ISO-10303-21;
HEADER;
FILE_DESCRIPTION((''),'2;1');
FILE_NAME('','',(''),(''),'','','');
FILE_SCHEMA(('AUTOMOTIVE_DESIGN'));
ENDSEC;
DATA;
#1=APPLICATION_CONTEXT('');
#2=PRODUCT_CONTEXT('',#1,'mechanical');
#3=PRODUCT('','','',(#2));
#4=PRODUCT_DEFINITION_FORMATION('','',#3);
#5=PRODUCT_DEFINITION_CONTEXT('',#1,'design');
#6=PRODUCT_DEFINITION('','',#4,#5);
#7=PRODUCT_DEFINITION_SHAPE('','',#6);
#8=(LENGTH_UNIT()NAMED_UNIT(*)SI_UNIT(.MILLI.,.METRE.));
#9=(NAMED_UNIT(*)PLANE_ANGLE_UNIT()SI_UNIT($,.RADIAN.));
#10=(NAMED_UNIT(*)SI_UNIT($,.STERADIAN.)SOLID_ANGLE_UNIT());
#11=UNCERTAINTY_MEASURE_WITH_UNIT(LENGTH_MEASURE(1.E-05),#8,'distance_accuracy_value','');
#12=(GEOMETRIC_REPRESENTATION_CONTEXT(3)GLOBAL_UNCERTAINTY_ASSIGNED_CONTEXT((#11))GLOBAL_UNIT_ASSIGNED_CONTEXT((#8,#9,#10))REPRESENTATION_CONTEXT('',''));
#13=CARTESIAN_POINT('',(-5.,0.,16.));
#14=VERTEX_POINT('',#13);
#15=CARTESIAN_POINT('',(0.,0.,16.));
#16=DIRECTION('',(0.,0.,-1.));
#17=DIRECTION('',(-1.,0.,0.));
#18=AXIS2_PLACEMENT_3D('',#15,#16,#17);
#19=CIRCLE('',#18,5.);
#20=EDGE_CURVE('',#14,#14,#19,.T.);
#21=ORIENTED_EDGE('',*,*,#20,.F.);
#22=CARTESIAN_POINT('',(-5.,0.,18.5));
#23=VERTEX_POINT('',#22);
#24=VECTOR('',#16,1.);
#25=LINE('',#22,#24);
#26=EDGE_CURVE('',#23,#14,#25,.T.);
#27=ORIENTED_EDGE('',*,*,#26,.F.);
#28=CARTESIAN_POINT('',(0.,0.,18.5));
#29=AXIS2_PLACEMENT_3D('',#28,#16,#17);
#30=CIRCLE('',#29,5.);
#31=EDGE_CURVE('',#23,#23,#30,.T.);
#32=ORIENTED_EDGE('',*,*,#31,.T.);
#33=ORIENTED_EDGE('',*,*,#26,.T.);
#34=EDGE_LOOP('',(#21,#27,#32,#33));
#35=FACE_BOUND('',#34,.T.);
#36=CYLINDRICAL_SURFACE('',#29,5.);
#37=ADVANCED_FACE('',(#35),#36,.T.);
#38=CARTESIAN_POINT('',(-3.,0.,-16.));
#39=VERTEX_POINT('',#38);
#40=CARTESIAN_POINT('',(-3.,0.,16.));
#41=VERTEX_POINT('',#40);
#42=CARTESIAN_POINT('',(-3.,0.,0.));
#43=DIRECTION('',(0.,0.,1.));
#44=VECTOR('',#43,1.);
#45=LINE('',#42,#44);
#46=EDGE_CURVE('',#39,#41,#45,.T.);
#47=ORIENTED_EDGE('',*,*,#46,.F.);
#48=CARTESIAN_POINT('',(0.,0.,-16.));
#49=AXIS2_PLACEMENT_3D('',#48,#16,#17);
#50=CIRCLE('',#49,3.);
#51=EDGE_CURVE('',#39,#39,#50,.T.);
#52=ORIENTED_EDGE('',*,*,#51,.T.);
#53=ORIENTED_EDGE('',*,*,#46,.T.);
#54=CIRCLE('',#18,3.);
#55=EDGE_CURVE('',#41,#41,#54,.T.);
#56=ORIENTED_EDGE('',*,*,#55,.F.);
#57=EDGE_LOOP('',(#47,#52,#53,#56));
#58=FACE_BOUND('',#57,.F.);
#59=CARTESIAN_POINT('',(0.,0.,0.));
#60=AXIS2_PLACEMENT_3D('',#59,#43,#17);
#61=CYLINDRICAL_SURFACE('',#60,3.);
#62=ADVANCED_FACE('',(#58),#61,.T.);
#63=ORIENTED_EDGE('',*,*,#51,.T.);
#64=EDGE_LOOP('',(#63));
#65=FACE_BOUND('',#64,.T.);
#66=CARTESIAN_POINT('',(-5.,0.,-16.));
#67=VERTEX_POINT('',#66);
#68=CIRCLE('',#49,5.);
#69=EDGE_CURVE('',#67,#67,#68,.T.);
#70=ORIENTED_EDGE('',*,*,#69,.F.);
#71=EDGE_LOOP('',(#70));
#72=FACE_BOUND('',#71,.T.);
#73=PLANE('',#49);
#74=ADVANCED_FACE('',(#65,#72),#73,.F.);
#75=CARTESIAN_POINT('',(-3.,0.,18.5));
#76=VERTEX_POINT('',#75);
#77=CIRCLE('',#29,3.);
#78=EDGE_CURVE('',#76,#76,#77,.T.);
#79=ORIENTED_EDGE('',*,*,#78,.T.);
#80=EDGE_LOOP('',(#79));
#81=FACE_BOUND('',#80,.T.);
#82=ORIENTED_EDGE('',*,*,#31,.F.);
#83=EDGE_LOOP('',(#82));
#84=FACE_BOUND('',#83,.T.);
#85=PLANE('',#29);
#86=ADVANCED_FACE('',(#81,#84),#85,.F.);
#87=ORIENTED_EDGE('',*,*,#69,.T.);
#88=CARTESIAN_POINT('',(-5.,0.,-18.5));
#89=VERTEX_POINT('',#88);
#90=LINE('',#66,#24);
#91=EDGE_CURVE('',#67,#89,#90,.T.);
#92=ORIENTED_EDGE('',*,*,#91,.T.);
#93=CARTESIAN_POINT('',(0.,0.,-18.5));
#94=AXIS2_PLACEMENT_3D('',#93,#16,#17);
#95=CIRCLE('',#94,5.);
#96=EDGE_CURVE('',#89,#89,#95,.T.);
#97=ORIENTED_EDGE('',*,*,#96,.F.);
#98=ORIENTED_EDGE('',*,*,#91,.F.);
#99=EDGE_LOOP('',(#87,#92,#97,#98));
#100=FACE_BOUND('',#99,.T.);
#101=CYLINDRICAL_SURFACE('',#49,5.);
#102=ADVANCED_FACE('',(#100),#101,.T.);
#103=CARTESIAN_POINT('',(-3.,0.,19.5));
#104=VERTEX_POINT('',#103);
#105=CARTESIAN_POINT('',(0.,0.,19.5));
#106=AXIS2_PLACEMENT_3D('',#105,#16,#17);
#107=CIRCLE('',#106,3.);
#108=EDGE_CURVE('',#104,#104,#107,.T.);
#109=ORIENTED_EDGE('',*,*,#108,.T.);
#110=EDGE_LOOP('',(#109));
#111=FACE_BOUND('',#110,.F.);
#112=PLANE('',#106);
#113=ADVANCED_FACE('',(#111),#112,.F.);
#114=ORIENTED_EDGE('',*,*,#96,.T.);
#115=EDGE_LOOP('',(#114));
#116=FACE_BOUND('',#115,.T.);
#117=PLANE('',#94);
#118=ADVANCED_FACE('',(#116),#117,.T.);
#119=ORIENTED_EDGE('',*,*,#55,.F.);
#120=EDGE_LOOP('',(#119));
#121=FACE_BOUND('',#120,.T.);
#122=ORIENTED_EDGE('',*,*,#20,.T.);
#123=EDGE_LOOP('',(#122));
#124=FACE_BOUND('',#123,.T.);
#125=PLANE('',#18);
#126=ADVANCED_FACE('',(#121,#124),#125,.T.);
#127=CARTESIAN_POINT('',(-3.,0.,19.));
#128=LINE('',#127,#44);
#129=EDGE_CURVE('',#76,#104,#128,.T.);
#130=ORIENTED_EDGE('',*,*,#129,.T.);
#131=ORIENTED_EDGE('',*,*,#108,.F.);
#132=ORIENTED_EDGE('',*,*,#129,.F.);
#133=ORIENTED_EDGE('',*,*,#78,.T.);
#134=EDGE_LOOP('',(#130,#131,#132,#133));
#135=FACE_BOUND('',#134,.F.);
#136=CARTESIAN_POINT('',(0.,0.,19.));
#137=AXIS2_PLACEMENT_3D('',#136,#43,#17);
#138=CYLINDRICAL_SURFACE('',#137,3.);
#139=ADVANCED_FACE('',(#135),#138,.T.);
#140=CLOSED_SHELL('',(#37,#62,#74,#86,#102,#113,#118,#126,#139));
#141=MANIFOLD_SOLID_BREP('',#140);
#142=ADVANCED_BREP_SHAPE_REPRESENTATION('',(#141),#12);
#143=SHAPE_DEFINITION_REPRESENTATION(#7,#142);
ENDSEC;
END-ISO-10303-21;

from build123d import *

# Parameters (mm, degrees)
F0_W   = 3
F0_H   = 32
F0_H_2 = 1


with BuildPart() as f1:
    # F0 (on Front) → F1 (revolve)
    with BuildSketch(Plane.XZ):
        with Locations((-1.5, 0)):
            Rectangle(F0_W, F0_H)
        Polygon((-5, 16), (-3, 16), (0, 16), (0, 18.5), (-3, 18.5), (-5, 18.5), align=None)
        Polygon((0, -16), (-3, -16), (-5, -16), (-5, -18.5), (0, -18.5), align=None)
        with Locations((-1.5, 19)):
            Rectangle(F0_W, F0_H_2)
    revolve(axis=Axis((0, 0, 0.5), (0, 0, -1)))


solid = f1.part
